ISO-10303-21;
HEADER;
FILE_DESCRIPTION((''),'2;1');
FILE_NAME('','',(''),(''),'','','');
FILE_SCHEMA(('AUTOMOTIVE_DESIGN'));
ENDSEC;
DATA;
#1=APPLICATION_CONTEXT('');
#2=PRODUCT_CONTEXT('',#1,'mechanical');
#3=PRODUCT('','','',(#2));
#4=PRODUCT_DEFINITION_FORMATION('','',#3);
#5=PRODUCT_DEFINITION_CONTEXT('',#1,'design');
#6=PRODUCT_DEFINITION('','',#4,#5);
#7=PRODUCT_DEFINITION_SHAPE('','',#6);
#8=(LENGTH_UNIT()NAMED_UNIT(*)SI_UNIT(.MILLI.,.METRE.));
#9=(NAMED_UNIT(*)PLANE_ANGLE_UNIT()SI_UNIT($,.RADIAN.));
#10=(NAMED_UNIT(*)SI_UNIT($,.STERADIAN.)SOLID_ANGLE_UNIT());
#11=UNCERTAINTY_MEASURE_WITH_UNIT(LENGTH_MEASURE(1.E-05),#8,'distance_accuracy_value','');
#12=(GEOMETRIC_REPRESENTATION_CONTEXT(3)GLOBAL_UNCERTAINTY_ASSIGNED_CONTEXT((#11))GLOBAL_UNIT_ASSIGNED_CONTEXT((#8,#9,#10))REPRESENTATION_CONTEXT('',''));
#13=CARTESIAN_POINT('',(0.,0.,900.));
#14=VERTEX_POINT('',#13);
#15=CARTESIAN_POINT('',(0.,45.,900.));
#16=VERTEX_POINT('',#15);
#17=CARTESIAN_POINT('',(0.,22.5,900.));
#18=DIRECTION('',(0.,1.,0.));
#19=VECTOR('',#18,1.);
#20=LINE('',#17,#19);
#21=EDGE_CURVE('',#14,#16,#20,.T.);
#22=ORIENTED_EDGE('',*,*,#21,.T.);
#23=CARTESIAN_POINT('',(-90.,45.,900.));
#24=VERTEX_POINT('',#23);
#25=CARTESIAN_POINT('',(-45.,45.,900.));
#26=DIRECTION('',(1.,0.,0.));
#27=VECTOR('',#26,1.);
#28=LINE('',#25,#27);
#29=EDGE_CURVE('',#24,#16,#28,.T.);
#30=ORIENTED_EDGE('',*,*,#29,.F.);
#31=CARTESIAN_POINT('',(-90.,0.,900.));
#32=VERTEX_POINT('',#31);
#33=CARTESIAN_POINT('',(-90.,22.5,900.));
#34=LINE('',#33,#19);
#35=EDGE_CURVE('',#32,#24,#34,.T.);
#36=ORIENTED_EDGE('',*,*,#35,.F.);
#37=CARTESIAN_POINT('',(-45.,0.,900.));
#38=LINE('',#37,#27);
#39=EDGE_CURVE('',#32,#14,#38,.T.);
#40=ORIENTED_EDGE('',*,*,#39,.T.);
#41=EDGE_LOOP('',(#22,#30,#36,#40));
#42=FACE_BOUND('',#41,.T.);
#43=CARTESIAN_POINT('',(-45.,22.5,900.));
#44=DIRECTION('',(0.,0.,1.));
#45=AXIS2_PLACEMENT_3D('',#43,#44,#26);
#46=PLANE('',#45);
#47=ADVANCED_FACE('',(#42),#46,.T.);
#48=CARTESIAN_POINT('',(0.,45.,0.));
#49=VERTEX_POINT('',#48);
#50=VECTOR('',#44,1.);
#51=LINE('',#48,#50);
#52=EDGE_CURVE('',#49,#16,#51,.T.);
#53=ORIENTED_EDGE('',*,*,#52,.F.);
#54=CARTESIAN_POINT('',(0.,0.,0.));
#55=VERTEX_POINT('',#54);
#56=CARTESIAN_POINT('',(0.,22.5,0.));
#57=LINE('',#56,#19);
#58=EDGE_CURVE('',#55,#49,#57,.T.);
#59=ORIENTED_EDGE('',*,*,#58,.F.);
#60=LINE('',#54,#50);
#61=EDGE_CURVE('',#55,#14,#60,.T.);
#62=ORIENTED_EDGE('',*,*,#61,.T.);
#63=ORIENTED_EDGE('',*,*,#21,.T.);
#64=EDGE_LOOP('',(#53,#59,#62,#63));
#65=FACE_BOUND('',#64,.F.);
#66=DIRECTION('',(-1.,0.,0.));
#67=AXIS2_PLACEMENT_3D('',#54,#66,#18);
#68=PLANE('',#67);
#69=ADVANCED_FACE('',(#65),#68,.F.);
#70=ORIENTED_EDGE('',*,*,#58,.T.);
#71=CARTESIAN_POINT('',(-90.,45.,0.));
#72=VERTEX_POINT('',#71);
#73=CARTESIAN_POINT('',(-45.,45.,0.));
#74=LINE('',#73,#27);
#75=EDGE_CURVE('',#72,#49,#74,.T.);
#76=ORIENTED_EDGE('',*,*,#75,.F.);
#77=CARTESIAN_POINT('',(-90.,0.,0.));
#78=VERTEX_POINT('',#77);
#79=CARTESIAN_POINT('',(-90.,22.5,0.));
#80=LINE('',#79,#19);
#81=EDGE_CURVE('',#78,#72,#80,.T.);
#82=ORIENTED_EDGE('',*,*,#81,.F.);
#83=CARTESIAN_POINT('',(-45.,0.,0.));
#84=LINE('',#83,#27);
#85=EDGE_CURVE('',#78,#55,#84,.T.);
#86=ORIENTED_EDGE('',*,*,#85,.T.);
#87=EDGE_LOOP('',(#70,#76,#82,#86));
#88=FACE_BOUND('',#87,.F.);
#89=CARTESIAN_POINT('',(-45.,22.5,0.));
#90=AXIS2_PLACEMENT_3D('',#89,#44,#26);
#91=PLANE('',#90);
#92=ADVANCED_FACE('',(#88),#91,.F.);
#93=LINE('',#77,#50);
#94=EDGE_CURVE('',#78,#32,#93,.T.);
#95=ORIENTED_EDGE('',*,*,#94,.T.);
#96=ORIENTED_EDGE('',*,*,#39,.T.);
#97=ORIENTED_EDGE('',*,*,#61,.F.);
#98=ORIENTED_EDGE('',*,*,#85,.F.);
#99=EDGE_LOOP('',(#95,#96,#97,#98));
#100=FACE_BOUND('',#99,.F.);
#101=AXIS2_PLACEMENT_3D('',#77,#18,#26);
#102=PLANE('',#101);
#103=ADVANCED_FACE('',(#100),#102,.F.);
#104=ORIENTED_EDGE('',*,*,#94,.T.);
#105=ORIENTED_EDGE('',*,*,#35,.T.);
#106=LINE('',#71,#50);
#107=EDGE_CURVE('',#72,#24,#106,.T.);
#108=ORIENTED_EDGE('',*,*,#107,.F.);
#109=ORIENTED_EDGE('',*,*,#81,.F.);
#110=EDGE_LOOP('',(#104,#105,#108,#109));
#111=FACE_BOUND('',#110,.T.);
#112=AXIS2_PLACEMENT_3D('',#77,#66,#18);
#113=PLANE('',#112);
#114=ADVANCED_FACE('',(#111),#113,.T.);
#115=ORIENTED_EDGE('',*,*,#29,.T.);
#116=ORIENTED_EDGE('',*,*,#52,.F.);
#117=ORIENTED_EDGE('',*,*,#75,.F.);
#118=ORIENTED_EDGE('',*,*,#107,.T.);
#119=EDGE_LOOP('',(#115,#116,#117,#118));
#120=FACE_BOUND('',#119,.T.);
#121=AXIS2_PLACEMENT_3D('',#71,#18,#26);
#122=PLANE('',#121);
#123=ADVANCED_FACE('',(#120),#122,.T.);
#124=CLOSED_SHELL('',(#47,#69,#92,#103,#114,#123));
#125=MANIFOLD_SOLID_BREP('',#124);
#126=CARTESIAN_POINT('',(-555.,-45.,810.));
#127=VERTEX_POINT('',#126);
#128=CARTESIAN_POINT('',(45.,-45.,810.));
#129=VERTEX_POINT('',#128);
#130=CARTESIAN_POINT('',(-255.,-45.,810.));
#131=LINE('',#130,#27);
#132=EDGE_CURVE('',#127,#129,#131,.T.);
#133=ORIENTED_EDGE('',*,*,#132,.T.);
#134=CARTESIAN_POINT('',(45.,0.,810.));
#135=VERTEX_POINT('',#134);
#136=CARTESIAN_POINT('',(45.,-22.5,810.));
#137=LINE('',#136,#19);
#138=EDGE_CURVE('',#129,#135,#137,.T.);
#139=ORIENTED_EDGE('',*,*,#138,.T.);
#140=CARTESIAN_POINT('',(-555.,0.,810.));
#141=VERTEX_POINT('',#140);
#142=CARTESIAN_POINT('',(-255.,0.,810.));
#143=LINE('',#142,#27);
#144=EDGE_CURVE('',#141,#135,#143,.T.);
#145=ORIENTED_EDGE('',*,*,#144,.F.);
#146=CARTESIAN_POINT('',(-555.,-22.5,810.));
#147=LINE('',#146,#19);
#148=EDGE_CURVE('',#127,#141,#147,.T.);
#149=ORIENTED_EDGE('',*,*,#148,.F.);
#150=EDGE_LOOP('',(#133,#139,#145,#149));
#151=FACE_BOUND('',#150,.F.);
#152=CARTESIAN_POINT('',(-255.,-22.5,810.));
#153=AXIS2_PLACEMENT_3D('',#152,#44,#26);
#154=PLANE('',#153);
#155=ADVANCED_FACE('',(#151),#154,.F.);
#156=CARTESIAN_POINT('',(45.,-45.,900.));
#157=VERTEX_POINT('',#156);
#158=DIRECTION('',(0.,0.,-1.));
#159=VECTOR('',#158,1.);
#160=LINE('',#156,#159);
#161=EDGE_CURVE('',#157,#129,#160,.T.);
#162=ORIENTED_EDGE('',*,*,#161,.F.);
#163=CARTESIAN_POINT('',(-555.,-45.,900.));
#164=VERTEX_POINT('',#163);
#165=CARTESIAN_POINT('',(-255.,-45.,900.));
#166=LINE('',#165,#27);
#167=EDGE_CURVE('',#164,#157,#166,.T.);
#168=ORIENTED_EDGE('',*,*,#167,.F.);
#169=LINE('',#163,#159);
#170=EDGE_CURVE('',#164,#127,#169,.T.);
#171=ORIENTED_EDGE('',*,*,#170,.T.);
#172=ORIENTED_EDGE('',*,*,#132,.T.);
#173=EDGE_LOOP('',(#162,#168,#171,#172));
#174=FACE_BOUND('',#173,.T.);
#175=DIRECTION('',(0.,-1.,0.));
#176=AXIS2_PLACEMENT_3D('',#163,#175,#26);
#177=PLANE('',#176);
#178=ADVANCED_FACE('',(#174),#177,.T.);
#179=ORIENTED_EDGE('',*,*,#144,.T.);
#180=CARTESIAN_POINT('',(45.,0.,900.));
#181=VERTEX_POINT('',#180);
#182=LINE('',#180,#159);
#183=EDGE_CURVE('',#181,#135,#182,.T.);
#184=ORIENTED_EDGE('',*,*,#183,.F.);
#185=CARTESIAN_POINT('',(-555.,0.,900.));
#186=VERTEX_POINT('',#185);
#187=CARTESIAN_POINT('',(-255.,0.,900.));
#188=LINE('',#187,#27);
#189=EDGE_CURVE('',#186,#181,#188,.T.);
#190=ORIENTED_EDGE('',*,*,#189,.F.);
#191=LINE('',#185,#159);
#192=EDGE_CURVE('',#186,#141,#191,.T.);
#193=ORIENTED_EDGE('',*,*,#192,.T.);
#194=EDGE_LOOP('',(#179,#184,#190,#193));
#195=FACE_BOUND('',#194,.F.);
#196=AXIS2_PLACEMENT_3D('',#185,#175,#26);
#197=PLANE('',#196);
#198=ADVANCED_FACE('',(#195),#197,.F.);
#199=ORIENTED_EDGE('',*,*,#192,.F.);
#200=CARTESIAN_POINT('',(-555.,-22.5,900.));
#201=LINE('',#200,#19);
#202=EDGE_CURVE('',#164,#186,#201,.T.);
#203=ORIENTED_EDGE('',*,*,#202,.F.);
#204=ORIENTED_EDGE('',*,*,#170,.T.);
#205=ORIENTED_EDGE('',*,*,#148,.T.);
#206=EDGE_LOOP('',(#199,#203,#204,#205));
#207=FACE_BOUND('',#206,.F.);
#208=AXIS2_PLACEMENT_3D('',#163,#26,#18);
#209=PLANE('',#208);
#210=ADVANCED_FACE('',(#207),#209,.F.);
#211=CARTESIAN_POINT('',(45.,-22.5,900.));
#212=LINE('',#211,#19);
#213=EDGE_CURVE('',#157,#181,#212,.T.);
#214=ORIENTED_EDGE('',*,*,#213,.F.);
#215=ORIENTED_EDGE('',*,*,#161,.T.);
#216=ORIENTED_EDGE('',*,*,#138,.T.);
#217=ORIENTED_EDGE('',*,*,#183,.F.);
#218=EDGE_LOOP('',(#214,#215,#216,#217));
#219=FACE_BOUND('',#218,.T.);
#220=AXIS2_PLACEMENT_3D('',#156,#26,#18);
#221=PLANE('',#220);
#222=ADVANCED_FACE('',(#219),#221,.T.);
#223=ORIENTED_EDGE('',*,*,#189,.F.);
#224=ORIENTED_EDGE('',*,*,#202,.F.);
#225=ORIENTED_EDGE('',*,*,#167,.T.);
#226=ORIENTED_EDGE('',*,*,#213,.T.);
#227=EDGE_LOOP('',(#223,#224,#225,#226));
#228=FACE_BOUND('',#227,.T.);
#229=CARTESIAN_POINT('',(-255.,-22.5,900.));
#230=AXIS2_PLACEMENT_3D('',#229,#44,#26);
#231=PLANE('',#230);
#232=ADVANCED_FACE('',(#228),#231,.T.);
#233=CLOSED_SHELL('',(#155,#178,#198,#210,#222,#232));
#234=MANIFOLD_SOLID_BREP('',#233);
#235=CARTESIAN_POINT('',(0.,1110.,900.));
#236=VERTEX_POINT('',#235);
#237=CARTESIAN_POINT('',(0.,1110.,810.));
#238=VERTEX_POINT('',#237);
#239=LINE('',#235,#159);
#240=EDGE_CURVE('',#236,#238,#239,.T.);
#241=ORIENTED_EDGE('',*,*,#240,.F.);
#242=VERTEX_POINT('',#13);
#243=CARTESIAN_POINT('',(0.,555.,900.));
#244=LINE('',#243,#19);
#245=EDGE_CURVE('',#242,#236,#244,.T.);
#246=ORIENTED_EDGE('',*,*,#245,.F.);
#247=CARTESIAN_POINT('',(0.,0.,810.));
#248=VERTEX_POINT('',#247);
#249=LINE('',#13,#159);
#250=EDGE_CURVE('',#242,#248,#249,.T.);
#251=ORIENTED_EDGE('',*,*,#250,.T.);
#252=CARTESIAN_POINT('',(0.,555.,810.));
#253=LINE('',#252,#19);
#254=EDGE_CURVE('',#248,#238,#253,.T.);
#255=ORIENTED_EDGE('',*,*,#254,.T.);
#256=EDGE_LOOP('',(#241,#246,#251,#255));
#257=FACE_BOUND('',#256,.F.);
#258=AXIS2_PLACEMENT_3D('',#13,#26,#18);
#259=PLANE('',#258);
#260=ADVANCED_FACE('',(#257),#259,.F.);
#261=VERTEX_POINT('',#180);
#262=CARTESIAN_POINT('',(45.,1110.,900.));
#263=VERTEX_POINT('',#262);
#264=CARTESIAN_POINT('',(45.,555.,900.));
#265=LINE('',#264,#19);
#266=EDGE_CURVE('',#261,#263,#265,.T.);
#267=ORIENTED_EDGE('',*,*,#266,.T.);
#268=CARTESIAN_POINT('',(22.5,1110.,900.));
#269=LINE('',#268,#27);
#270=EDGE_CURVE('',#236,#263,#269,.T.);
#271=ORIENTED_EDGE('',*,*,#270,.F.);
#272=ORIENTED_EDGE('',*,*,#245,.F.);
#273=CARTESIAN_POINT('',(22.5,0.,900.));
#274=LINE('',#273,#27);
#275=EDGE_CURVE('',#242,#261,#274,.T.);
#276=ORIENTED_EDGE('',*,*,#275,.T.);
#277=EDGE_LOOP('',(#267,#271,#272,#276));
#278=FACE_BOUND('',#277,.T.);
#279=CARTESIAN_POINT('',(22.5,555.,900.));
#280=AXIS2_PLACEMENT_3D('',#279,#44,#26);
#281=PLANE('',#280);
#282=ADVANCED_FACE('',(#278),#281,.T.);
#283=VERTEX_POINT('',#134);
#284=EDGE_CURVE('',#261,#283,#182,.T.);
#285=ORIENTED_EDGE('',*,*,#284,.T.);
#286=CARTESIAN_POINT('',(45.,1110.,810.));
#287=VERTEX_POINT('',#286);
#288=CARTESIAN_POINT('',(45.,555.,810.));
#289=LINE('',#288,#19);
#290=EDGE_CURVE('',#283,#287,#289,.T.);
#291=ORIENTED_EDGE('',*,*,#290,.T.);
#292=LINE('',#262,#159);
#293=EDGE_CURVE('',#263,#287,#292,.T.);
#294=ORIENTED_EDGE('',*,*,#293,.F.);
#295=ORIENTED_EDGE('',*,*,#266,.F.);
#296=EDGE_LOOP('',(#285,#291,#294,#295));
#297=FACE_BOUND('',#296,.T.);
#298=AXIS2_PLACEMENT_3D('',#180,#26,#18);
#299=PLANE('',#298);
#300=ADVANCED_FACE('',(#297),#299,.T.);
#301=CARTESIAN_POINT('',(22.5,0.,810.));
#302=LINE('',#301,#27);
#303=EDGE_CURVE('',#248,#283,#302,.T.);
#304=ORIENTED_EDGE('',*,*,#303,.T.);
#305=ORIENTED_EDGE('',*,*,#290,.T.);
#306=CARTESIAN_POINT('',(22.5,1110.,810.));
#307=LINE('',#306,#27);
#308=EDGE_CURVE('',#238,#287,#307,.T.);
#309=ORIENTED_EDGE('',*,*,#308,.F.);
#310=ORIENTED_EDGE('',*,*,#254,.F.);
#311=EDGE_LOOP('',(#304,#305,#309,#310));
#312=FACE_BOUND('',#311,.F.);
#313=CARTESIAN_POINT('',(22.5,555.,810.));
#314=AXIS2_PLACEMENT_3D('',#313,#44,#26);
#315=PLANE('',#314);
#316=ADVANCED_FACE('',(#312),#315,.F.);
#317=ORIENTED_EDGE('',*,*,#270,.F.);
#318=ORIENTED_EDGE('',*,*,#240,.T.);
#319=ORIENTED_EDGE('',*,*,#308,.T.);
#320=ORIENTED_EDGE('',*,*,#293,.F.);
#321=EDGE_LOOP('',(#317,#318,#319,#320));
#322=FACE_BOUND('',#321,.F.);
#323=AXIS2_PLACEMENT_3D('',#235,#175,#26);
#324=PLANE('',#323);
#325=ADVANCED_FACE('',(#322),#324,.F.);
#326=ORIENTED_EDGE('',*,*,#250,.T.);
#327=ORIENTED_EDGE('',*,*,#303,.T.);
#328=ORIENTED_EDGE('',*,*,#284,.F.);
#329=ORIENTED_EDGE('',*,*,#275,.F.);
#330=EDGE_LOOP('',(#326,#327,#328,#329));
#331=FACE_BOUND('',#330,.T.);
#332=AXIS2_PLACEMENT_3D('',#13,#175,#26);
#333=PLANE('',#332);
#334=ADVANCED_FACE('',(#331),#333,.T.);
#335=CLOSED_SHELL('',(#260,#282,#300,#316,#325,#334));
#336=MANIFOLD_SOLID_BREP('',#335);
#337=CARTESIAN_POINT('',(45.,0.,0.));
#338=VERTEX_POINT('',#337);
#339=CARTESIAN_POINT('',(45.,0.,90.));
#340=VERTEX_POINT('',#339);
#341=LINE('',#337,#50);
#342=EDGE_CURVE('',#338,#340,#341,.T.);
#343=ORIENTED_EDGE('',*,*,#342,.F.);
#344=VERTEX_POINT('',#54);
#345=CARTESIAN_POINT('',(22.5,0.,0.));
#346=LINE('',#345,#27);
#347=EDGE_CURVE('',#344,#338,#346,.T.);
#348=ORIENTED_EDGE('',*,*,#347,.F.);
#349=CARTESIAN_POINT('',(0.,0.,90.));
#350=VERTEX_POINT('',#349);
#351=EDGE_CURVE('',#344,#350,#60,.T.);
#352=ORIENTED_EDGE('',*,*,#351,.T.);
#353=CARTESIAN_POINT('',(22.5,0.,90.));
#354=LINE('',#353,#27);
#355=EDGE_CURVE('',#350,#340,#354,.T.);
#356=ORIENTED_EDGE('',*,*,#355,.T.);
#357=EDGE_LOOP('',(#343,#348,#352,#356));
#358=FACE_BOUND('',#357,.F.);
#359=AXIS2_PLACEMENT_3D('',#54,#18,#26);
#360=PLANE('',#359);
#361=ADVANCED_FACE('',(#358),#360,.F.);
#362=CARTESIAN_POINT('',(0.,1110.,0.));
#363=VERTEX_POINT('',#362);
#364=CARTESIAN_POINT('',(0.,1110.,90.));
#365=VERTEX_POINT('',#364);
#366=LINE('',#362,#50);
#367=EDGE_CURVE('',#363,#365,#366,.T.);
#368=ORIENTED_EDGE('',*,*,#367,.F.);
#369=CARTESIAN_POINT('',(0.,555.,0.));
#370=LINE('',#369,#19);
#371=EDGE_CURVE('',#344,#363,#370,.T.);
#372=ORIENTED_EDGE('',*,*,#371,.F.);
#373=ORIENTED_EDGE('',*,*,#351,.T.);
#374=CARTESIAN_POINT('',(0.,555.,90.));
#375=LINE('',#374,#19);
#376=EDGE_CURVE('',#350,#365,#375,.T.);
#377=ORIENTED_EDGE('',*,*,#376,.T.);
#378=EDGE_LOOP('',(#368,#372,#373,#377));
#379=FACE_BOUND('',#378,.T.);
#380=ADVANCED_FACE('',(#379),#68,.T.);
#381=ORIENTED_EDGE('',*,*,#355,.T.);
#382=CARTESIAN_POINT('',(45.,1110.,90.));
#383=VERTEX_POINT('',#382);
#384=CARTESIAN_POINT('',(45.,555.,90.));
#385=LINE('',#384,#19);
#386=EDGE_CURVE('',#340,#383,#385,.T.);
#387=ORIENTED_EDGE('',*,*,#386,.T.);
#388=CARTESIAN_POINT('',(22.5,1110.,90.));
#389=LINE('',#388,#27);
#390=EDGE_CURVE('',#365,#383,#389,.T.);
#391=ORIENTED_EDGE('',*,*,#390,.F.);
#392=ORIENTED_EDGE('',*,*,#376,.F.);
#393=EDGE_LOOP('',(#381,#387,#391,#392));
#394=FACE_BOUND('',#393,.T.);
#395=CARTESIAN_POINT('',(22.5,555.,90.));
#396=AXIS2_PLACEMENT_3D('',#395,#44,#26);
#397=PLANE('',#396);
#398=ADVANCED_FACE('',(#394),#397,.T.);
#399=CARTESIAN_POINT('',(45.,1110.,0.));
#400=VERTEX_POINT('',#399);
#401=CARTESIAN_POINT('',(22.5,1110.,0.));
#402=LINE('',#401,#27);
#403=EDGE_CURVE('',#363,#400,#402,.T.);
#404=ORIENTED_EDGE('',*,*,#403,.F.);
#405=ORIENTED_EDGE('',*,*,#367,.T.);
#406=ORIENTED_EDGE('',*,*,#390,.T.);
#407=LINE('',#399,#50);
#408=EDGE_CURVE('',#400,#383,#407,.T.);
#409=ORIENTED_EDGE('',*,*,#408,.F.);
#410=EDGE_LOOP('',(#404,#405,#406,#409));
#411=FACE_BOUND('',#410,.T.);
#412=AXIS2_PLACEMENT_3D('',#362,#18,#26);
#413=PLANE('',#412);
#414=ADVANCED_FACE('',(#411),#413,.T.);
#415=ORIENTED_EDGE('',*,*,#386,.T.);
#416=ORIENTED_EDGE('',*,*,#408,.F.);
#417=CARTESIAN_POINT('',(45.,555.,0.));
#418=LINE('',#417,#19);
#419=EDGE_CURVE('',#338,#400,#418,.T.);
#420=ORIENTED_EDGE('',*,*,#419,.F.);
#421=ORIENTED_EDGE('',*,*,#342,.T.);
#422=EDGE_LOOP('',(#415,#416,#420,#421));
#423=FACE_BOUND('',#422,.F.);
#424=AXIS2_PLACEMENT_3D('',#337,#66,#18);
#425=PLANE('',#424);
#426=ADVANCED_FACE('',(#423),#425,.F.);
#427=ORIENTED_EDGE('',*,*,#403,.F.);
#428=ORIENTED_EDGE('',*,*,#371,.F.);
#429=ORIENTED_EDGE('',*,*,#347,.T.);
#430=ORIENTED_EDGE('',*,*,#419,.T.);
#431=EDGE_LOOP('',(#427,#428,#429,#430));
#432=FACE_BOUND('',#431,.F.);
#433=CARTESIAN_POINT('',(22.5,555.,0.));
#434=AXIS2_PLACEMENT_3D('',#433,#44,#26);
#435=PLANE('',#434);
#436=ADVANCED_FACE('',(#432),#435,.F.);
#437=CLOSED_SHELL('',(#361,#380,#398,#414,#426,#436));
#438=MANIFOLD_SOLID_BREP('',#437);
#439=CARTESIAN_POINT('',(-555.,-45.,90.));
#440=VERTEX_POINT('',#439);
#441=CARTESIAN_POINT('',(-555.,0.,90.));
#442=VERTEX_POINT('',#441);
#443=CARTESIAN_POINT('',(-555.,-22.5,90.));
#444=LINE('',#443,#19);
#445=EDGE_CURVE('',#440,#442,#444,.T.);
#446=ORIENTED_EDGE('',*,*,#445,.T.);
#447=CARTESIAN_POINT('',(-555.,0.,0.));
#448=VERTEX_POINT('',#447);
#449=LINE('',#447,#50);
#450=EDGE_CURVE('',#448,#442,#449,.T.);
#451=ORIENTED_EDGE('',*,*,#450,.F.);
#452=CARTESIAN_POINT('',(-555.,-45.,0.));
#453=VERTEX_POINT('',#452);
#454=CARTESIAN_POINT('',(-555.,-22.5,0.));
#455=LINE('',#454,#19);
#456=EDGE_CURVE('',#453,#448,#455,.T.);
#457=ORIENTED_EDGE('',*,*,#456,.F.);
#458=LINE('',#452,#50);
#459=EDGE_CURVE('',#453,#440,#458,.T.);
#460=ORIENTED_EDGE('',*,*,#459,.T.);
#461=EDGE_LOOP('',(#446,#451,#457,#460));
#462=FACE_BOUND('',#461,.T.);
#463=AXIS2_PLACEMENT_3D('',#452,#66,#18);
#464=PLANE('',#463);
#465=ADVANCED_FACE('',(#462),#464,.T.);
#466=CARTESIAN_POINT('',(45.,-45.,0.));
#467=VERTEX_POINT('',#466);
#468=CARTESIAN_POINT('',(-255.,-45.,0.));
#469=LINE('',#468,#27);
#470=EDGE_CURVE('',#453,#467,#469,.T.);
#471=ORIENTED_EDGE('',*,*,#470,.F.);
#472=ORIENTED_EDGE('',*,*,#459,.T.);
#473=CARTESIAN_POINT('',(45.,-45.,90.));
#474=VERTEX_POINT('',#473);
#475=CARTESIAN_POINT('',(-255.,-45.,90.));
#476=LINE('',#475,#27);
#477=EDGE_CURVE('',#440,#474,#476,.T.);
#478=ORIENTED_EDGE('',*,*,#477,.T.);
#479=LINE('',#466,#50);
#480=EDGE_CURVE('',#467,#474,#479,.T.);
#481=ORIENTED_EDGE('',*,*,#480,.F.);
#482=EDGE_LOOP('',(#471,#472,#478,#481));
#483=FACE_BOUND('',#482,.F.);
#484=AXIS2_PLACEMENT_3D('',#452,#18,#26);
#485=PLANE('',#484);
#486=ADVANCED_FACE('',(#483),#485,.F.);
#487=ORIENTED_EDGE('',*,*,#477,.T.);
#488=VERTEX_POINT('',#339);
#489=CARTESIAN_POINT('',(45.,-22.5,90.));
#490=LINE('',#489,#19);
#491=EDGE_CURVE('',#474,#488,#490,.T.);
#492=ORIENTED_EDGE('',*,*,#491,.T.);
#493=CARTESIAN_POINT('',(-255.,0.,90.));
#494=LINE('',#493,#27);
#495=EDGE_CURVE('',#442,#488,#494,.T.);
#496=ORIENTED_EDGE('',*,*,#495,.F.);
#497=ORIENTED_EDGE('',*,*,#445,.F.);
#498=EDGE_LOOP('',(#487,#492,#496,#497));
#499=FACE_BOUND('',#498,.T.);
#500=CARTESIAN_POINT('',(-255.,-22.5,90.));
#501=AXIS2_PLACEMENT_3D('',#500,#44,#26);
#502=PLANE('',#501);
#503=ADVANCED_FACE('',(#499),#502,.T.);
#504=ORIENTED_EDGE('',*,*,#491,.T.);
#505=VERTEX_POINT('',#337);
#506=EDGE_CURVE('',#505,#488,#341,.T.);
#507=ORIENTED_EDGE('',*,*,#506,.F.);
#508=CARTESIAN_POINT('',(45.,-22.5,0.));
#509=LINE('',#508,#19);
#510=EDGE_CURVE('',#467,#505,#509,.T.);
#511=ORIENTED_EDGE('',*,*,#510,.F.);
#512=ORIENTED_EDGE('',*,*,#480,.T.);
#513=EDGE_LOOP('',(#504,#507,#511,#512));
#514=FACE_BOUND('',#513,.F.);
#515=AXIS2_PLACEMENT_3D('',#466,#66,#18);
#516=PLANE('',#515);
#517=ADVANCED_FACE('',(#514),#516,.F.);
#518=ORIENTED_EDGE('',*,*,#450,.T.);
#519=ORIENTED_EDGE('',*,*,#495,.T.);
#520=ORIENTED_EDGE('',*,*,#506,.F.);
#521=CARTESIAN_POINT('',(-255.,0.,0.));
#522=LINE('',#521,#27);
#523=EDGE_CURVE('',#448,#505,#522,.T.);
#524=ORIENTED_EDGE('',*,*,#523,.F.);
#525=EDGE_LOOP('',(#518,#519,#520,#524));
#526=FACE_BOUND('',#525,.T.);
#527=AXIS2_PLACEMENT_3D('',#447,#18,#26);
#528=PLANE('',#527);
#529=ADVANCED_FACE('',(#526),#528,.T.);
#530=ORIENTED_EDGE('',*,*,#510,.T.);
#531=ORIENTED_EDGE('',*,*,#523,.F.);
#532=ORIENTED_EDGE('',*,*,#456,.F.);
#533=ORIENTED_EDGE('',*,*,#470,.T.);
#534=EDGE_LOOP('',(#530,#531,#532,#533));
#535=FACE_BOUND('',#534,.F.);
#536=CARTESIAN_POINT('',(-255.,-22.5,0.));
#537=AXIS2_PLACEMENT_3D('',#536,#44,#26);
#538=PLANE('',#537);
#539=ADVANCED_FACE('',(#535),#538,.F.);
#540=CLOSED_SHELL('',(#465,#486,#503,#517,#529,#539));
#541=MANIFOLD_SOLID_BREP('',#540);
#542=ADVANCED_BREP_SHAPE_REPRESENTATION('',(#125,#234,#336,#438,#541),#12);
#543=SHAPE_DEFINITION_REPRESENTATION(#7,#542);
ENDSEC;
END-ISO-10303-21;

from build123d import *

# Parameters (mm, degrees)
F0_W     = 45
F0_H     = 1110
F1_DEPTH = 90
F2_W     = 600
F2_H     = 45
F3_DEPTH = 90
F4_W     = 90
F4_H     = 45
F5_DEPTH = 900
F6_W     = 45
F6_H     = 1110
F7_DEPTH = 90
F8_W     = 600
F8_H     = 45
F9_DEPTH = 90


with BuildPart() as f1:
    # F0 (on Top) → F1 (new body)
    with BuildSketch(Plane.XY):
        with Locations((22.5, 555)):
            Rectangle(F0_W, F0_H)
    extrude(amount=F1_DEPTH)


with BuildPart() as f3:
    # F2 (on Top) → F3 (new body)
    with BuildSketch(Plane.XY):
        with Locations((-255, -22.5)):
            Rectangle(F2_W, F2_H)
    extrude(amount=F3_DEPTH)


with BuildPart() as f5:
    # F4 (on Top) → F5 (new body)
    with BuildSketch(Plane.XY):
        with Locations((-45, 22.5)):
            Rectangle(F4_W, F4_H)
    extrude(amount=F5_DEPTH)


with BuildPart() as f7:
    # F6 (on face) → F7 (new body)
    with BuildSketch(Plane.XY.offset(900)):
        with Locations((22.5, 555)):
            Rectangle(F6_W, F6_H)
    extrude(amount=-F7_DEPTH)


with BuildPart() as f9:
    # F8 (on face) → F9 (new body)
    with BuildSketch(Plane.XY.offset(900)):
        with Locations((-255, -22.5)):
            Rectangle(F8_W, F8_H)
    extrude(amount=-F9_DEPTH)


solid = Compound([f1.part, f3.part, f5.part, f7.part, f9.part])
